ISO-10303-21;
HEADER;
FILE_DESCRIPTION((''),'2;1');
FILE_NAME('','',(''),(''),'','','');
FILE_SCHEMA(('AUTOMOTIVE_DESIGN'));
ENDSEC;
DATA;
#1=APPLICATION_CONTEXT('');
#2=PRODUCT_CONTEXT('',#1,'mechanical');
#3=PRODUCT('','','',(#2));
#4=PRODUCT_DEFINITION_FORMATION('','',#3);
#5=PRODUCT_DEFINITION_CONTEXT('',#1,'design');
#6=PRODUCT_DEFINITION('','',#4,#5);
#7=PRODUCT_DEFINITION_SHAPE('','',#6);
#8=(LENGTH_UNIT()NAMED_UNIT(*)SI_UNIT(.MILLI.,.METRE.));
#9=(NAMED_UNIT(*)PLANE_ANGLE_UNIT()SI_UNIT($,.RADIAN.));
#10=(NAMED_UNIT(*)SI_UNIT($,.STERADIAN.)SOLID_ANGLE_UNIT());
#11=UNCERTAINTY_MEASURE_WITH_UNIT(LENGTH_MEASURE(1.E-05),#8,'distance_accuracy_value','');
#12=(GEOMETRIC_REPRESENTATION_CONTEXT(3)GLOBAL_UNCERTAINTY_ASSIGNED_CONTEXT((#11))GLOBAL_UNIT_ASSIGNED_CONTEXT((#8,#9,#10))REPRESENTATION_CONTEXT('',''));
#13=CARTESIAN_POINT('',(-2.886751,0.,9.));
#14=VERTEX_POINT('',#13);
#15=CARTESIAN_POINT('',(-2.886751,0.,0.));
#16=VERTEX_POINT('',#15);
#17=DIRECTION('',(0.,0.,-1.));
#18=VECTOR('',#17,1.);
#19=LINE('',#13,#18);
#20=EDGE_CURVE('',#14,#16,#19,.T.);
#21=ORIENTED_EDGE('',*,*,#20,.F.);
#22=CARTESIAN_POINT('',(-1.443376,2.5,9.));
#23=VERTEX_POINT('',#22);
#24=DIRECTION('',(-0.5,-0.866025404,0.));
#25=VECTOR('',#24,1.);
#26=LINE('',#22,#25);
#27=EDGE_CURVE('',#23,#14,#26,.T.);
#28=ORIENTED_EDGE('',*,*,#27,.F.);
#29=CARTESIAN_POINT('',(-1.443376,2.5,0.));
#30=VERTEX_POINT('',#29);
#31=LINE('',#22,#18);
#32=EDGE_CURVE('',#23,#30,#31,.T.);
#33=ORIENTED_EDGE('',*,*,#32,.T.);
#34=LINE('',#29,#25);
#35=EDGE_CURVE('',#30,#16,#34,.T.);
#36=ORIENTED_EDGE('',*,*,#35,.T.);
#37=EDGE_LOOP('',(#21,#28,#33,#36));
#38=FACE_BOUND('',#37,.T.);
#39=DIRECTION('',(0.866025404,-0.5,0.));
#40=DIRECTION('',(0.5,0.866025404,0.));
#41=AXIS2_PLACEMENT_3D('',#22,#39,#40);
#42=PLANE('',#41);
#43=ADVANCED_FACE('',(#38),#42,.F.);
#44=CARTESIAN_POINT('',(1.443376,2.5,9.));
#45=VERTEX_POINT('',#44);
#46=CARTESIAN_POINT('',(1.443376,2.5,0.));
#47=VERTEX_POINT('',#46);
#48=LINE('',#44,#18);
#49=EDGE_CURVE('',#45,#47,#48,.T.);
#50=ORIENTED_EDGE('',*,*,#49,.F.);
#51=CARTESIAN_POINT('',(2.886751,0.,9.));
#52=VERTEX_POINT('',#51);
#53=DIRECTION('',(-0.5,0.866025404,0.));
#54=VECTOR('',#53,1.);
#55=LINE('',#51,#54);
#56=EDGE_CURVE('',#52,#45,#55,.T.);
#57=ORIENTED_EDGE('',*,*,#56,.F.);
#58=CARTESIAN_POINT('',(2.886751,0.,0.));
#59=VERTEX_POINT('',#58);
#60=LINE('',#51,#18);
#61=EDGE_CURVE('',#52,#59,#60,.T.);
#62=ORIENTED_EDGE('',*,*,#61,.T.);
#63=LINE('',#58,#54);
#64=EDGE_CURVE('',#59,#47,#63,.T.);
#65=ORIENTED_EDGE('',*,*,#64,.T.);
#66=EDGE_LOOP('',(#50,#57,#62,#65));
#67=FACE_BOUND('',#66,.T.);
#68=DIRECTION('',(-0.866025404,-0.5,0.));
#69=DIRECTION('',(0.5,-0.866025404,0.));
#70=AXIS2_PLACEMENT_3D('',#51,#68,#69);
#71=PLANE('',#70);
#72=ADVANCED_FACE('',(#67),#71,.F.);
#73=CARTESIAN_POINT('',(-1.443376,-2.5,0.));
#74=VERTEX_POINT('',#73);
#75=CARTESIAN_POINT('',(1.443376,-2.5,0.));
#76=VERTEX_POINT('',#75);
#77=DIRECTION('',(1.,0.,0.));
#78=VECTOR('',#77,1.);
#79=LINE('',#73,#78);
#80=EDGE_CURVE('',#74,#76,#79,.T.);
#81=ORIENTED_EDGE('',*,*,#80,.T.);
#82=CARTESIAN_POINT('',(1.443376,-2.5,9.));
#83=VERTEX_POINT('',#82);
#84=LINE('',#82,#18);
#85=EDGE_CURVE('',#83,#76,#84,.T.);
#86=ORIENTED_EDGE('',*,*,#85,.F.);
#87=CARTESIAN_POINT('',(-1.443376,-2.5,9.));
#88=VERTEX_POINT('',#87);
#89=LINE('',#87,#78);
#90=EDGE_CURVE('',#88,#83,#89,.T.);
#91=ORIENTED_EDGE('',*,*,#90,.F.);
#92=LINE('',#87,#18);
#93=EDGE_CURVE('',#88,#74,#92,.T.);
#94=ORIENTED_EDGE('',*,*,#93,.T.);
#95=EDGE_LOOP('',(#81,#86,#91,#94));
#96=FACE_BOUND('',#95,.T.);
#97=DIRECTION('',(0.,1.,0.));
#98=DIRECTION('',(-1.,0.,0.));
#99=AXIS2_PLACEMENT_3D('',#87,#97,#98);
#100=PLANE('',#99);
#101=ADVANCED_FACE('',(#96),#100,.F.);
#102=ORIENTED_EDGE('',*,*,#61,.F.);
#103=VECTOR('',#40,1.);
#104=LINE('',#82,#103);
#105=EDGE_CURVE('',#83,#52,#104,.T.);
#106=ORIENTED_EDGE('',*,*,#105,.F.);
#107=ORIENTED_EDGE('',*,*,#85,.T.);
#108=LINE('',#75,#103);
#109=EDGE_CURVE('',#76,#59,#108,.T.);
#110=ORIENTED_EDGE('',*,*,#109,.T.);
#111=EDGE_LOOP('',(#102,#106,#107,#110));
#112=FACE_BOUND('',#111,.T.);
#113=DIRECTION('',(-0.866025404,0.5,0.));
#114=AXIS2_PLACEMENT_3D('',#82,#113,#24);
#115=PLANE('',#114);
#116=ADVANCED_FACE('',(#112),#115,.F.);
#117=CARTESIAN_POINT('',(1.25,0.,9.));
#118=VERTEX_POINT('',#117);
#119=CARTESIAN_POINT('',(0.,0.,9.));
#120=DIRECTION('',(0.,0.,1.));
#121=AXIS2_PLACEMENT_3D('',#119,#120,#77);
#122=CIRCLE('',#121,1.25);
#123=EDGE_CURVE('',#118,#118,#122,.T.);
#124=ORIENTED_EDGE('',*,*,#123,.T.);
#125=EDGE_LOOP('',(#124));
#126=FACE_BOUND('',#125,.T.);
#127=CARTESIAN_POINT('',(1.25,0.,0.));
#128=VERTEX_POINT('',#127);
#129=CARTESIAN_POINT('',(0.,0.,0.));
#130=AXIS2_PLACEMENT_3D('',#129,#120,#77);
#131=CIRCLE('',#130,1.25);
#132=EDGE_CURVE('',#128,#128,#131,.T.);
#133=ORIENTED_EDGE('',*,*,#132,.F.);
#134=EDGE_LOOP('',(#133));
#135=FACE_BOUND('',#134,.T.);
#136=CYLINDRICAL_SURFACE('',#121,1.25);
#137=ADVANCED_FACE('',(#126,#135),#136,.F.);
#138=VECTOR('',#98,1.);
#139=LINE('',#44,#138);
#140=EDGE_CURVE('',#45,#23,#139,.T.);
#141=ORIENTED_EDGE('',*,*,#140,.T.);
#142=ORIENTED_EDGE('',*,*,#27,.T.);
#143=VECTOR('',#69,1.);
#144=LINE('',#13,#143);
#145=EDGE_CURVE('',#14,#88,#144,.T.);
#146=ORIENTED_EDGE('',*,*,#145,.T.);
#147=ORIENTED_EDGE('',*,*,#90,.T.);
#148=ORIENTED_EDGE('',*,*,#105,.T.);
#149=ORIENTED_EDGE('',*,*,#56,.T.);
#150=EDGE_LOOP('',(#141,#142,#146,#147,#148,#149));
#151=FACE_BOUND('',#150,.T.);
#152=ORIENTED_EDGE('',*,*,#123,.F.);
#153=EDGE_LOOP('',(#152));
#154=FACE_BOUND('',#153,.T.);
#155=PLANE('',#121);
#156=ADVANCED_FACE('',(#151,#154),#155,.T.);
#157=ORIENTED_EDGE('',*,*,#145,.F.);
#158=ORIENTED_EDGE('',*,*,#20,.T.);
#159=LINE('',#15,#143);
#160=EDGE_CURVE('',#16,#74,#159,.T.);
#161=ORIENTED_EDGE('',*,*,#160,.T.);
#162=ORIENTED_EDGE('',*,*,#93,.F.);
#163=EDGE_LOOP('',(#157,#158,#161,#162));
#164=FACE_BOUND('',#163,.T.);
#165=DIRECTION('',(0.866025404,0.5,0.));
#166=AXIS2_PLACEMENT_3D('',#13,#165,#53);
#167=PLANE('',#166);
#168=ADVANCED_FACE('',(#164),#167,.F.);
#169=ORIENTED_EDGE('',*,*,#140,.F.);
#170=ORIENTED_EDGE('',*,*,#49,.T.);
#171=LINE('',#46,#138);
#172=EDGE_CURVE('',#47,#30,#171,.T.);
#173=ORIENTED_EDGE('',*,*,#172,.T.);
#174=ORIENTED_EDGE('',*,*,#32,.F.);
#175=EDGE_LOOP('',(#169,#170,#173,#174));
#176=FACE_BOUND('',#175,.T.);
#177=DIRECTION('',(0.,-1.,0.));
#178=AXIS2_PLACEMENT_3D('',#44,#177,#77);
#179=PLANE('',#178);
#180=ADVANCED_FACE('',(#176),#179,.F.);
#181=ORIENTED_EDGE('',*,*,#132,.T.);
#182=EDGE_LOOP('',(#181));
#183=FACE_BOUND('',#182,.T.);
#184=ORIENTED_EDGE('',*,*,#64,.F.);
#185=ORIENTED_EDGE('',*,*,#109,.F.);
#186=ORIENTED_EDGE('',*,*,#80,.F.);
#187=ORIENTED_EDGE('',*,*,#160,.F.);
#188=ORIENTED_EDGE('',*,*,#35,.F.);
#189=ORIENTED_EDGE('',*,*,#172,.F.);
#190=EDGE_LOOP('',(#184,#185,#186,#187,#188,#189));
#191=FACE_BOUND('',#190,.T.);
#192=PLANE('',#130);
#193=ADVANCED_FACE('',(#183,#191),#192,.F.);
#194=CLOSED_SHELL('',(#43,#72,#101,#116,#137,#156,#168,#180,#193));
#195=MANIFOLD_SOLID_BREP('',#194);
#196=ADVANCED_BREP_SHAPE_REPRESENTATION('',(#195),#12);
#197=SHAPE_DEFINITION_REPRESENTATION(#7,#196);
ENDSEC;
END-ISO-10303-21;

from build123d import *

# Parameters (mm, degrees)
EXTRUDE_1_DEPTH = 9
M3X0_5_1_D      = 2.5


with BuildPart() as part:
    # 草圖1 → 填料-伸長1 (new body)
    with BuildSketch(Plane.XY):
        Polygon((-1.443375673, 2.5), (-2.886751346, 0), (-1.443375673, -2.5), (1.443375673, -2.5), (2.886751346, 0), (1.443375673, 2.5), align=None)
    extrude(amount=EXTRUDE_1_DEPTH)

    # M3x0.5 螺紋孔1 (through all)
    with Locations(Plane.XY.offset(9)):
        with Locations((0, 0)):
            Hole(M3X0_5_1_D / 2)


solid = part.part
